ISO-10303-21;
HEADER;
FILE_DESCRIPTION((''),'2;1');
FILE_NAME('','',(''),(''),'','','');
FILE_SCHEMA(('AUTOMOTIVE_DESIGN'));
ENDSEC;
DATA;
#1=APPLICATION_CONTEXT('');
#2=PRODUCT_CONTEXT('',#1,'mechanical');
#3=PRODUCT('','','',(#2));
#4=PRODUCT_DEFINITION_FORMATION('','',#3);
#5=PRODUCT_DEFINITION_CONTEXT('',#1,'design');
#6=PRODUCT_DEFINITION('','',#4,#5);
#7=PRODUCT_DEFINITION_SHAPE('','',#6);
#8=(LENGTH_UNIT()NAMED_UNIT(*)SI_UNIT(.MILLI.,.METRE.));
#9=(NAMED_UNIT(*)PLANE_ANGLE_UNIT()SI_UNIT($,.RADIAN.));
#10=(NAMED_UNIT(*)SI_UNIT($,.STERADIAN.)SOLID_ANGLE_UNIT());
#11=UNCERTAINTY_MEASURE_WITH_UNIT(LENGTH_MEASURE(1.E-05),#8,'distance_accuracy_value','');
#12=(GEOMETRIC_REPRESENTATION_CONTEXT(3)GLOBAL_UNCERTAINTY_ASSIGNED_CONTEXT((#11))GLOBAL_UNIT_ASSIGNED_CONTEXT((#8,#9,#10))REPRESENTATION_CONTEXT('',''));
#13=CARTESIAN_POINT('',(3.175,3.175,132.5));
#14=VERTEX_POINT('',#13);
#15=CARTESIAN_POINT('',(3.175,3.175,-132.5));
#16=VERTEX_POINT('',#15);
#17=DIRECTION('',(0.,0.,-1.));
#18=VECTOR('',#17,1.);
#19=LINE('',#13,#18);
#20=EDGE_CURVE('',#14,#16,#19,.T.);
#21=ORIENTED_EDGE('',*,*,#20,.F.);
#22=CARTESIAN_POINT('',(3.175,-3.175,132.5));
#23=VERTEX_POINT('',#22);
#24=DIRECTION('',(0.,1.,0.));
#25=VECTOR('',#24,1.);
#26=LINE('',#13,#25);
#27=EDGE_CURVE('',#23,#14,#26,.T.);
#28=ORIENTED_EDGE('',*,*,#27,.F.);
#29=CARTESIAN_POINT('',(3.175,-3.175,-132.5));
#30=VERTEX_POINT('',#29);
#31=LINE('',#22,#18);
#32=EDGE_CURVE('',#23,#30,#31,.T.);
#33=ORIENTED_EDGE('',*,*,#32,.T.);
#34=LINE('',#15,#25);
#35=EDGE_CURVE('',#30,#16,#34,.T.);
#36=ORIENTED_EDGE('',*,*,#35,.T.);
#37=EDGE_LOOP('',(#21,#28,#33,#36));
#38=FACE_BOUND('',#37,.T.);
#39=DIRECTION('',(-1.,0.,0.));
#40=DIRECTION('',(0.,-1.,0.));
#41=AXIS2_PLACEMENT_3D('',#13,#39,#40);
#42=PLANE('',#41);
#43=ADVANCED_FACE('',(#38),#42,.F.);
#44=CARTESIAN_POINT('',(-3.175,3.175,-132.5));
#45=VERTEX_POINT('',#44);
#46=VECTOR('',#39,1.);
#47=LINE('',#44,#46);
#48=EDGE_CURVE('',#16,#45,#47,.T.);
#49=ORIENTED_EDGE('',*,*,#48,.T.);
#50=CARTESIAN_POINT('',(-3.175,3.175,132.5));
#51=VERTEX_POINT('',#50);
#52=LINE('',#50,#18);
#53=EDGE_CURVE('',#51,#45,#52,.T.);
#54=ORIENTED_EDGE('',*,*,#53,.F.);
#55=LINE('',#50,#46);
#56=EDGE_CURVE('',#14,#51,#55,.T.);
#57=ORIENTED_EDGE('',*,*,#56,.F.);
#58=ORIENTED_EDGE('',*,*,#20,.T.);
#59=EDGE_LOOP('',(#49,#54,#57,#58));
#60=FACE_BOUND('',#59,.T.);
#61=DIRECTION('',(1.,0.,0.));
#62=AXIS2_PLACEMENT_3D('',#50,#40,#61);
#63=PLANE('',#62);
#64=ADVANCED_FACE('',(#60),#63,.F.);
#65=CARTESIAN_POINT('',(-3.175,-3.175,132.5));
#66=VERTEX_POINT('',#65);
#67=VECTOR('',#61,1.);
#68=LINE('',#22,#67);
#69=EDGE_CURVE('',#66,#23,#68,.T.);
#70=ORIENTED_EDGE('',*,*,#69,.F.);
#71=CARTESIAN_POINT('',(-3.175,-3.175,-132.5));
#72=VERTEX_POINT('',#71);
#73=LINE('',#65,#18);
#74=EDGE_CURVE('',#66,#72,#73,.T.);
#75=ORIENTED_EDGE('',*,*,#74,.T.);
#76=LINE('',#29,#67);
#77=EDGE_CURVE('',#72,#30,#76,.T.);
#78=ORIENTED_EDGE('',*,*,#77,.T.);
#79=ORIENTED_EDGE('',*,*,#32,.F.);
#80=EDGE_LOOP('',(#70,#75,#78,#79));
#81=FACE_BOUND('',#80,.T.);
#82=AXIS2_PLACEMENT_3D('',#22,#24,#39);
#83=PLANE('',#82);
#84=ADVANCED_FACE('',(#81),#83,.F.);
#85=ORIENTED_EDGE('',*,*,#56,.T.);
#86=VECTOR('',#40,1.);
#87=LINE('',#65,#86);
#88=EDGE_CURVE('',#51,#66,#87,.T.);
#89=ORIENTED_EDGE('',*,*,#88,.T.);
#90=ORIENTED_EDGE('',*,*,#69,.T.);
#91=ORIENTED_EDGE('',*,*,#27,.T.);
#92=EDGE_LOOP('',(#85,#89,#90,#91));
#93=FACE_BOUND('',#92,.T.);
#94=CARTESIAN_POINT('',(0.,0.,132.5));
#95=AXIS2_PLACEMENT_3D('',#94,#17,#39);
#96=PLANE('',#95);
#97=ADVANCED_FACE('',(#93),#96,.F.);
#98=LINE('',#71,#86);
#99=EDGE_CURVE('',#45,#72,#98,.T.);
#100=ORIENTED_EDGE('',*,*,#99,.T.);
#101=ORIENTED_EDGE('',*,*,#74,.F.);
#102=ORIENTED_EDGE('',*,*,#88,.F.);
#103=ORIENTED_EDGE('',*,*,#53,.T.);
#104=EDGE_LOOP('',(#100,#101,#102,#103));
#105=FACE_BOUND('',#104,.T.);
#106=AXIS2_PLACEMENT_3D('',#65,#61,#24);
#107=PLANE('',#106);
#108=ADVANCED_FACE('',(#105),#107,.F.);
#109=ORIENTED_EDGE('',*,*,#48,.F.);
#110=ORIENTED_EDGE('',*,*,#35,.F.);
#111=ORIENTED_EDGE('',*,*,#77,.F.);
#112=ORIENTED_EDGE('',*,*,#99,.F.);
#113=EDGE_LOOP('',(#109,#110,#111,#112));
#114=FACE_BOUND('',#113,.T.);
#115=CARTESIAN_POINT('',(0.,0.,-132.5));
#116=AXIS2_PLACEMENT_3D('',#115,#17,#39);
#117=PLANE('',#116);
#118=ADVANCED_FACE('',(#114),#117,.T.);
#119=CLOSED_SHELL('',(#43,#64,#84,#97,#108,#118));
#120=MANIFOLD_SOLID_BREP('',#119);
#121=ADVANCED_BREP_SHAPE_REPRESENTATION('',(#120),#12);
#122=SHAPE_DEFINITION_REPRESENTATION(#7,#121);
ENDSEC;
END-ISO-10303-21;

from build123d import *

# Parameters (mm, degrees)
SKETCH3_W           = 6.35
SKETCH3_H           = 6.35
BOSS_EXTRUDE1_DEPTH = 132.5


with BuildPart() as part:
    # Sketch3 → Boss-Extrude1 (new, symmetric)
    with BuildSketch(Plane.XY):
        Rectangle(SKETCH3_W, SKETCH3_H)
    extrude(amount=BOSS_EXTRUDE1_DEPTH, both=True)


solid = part.part
